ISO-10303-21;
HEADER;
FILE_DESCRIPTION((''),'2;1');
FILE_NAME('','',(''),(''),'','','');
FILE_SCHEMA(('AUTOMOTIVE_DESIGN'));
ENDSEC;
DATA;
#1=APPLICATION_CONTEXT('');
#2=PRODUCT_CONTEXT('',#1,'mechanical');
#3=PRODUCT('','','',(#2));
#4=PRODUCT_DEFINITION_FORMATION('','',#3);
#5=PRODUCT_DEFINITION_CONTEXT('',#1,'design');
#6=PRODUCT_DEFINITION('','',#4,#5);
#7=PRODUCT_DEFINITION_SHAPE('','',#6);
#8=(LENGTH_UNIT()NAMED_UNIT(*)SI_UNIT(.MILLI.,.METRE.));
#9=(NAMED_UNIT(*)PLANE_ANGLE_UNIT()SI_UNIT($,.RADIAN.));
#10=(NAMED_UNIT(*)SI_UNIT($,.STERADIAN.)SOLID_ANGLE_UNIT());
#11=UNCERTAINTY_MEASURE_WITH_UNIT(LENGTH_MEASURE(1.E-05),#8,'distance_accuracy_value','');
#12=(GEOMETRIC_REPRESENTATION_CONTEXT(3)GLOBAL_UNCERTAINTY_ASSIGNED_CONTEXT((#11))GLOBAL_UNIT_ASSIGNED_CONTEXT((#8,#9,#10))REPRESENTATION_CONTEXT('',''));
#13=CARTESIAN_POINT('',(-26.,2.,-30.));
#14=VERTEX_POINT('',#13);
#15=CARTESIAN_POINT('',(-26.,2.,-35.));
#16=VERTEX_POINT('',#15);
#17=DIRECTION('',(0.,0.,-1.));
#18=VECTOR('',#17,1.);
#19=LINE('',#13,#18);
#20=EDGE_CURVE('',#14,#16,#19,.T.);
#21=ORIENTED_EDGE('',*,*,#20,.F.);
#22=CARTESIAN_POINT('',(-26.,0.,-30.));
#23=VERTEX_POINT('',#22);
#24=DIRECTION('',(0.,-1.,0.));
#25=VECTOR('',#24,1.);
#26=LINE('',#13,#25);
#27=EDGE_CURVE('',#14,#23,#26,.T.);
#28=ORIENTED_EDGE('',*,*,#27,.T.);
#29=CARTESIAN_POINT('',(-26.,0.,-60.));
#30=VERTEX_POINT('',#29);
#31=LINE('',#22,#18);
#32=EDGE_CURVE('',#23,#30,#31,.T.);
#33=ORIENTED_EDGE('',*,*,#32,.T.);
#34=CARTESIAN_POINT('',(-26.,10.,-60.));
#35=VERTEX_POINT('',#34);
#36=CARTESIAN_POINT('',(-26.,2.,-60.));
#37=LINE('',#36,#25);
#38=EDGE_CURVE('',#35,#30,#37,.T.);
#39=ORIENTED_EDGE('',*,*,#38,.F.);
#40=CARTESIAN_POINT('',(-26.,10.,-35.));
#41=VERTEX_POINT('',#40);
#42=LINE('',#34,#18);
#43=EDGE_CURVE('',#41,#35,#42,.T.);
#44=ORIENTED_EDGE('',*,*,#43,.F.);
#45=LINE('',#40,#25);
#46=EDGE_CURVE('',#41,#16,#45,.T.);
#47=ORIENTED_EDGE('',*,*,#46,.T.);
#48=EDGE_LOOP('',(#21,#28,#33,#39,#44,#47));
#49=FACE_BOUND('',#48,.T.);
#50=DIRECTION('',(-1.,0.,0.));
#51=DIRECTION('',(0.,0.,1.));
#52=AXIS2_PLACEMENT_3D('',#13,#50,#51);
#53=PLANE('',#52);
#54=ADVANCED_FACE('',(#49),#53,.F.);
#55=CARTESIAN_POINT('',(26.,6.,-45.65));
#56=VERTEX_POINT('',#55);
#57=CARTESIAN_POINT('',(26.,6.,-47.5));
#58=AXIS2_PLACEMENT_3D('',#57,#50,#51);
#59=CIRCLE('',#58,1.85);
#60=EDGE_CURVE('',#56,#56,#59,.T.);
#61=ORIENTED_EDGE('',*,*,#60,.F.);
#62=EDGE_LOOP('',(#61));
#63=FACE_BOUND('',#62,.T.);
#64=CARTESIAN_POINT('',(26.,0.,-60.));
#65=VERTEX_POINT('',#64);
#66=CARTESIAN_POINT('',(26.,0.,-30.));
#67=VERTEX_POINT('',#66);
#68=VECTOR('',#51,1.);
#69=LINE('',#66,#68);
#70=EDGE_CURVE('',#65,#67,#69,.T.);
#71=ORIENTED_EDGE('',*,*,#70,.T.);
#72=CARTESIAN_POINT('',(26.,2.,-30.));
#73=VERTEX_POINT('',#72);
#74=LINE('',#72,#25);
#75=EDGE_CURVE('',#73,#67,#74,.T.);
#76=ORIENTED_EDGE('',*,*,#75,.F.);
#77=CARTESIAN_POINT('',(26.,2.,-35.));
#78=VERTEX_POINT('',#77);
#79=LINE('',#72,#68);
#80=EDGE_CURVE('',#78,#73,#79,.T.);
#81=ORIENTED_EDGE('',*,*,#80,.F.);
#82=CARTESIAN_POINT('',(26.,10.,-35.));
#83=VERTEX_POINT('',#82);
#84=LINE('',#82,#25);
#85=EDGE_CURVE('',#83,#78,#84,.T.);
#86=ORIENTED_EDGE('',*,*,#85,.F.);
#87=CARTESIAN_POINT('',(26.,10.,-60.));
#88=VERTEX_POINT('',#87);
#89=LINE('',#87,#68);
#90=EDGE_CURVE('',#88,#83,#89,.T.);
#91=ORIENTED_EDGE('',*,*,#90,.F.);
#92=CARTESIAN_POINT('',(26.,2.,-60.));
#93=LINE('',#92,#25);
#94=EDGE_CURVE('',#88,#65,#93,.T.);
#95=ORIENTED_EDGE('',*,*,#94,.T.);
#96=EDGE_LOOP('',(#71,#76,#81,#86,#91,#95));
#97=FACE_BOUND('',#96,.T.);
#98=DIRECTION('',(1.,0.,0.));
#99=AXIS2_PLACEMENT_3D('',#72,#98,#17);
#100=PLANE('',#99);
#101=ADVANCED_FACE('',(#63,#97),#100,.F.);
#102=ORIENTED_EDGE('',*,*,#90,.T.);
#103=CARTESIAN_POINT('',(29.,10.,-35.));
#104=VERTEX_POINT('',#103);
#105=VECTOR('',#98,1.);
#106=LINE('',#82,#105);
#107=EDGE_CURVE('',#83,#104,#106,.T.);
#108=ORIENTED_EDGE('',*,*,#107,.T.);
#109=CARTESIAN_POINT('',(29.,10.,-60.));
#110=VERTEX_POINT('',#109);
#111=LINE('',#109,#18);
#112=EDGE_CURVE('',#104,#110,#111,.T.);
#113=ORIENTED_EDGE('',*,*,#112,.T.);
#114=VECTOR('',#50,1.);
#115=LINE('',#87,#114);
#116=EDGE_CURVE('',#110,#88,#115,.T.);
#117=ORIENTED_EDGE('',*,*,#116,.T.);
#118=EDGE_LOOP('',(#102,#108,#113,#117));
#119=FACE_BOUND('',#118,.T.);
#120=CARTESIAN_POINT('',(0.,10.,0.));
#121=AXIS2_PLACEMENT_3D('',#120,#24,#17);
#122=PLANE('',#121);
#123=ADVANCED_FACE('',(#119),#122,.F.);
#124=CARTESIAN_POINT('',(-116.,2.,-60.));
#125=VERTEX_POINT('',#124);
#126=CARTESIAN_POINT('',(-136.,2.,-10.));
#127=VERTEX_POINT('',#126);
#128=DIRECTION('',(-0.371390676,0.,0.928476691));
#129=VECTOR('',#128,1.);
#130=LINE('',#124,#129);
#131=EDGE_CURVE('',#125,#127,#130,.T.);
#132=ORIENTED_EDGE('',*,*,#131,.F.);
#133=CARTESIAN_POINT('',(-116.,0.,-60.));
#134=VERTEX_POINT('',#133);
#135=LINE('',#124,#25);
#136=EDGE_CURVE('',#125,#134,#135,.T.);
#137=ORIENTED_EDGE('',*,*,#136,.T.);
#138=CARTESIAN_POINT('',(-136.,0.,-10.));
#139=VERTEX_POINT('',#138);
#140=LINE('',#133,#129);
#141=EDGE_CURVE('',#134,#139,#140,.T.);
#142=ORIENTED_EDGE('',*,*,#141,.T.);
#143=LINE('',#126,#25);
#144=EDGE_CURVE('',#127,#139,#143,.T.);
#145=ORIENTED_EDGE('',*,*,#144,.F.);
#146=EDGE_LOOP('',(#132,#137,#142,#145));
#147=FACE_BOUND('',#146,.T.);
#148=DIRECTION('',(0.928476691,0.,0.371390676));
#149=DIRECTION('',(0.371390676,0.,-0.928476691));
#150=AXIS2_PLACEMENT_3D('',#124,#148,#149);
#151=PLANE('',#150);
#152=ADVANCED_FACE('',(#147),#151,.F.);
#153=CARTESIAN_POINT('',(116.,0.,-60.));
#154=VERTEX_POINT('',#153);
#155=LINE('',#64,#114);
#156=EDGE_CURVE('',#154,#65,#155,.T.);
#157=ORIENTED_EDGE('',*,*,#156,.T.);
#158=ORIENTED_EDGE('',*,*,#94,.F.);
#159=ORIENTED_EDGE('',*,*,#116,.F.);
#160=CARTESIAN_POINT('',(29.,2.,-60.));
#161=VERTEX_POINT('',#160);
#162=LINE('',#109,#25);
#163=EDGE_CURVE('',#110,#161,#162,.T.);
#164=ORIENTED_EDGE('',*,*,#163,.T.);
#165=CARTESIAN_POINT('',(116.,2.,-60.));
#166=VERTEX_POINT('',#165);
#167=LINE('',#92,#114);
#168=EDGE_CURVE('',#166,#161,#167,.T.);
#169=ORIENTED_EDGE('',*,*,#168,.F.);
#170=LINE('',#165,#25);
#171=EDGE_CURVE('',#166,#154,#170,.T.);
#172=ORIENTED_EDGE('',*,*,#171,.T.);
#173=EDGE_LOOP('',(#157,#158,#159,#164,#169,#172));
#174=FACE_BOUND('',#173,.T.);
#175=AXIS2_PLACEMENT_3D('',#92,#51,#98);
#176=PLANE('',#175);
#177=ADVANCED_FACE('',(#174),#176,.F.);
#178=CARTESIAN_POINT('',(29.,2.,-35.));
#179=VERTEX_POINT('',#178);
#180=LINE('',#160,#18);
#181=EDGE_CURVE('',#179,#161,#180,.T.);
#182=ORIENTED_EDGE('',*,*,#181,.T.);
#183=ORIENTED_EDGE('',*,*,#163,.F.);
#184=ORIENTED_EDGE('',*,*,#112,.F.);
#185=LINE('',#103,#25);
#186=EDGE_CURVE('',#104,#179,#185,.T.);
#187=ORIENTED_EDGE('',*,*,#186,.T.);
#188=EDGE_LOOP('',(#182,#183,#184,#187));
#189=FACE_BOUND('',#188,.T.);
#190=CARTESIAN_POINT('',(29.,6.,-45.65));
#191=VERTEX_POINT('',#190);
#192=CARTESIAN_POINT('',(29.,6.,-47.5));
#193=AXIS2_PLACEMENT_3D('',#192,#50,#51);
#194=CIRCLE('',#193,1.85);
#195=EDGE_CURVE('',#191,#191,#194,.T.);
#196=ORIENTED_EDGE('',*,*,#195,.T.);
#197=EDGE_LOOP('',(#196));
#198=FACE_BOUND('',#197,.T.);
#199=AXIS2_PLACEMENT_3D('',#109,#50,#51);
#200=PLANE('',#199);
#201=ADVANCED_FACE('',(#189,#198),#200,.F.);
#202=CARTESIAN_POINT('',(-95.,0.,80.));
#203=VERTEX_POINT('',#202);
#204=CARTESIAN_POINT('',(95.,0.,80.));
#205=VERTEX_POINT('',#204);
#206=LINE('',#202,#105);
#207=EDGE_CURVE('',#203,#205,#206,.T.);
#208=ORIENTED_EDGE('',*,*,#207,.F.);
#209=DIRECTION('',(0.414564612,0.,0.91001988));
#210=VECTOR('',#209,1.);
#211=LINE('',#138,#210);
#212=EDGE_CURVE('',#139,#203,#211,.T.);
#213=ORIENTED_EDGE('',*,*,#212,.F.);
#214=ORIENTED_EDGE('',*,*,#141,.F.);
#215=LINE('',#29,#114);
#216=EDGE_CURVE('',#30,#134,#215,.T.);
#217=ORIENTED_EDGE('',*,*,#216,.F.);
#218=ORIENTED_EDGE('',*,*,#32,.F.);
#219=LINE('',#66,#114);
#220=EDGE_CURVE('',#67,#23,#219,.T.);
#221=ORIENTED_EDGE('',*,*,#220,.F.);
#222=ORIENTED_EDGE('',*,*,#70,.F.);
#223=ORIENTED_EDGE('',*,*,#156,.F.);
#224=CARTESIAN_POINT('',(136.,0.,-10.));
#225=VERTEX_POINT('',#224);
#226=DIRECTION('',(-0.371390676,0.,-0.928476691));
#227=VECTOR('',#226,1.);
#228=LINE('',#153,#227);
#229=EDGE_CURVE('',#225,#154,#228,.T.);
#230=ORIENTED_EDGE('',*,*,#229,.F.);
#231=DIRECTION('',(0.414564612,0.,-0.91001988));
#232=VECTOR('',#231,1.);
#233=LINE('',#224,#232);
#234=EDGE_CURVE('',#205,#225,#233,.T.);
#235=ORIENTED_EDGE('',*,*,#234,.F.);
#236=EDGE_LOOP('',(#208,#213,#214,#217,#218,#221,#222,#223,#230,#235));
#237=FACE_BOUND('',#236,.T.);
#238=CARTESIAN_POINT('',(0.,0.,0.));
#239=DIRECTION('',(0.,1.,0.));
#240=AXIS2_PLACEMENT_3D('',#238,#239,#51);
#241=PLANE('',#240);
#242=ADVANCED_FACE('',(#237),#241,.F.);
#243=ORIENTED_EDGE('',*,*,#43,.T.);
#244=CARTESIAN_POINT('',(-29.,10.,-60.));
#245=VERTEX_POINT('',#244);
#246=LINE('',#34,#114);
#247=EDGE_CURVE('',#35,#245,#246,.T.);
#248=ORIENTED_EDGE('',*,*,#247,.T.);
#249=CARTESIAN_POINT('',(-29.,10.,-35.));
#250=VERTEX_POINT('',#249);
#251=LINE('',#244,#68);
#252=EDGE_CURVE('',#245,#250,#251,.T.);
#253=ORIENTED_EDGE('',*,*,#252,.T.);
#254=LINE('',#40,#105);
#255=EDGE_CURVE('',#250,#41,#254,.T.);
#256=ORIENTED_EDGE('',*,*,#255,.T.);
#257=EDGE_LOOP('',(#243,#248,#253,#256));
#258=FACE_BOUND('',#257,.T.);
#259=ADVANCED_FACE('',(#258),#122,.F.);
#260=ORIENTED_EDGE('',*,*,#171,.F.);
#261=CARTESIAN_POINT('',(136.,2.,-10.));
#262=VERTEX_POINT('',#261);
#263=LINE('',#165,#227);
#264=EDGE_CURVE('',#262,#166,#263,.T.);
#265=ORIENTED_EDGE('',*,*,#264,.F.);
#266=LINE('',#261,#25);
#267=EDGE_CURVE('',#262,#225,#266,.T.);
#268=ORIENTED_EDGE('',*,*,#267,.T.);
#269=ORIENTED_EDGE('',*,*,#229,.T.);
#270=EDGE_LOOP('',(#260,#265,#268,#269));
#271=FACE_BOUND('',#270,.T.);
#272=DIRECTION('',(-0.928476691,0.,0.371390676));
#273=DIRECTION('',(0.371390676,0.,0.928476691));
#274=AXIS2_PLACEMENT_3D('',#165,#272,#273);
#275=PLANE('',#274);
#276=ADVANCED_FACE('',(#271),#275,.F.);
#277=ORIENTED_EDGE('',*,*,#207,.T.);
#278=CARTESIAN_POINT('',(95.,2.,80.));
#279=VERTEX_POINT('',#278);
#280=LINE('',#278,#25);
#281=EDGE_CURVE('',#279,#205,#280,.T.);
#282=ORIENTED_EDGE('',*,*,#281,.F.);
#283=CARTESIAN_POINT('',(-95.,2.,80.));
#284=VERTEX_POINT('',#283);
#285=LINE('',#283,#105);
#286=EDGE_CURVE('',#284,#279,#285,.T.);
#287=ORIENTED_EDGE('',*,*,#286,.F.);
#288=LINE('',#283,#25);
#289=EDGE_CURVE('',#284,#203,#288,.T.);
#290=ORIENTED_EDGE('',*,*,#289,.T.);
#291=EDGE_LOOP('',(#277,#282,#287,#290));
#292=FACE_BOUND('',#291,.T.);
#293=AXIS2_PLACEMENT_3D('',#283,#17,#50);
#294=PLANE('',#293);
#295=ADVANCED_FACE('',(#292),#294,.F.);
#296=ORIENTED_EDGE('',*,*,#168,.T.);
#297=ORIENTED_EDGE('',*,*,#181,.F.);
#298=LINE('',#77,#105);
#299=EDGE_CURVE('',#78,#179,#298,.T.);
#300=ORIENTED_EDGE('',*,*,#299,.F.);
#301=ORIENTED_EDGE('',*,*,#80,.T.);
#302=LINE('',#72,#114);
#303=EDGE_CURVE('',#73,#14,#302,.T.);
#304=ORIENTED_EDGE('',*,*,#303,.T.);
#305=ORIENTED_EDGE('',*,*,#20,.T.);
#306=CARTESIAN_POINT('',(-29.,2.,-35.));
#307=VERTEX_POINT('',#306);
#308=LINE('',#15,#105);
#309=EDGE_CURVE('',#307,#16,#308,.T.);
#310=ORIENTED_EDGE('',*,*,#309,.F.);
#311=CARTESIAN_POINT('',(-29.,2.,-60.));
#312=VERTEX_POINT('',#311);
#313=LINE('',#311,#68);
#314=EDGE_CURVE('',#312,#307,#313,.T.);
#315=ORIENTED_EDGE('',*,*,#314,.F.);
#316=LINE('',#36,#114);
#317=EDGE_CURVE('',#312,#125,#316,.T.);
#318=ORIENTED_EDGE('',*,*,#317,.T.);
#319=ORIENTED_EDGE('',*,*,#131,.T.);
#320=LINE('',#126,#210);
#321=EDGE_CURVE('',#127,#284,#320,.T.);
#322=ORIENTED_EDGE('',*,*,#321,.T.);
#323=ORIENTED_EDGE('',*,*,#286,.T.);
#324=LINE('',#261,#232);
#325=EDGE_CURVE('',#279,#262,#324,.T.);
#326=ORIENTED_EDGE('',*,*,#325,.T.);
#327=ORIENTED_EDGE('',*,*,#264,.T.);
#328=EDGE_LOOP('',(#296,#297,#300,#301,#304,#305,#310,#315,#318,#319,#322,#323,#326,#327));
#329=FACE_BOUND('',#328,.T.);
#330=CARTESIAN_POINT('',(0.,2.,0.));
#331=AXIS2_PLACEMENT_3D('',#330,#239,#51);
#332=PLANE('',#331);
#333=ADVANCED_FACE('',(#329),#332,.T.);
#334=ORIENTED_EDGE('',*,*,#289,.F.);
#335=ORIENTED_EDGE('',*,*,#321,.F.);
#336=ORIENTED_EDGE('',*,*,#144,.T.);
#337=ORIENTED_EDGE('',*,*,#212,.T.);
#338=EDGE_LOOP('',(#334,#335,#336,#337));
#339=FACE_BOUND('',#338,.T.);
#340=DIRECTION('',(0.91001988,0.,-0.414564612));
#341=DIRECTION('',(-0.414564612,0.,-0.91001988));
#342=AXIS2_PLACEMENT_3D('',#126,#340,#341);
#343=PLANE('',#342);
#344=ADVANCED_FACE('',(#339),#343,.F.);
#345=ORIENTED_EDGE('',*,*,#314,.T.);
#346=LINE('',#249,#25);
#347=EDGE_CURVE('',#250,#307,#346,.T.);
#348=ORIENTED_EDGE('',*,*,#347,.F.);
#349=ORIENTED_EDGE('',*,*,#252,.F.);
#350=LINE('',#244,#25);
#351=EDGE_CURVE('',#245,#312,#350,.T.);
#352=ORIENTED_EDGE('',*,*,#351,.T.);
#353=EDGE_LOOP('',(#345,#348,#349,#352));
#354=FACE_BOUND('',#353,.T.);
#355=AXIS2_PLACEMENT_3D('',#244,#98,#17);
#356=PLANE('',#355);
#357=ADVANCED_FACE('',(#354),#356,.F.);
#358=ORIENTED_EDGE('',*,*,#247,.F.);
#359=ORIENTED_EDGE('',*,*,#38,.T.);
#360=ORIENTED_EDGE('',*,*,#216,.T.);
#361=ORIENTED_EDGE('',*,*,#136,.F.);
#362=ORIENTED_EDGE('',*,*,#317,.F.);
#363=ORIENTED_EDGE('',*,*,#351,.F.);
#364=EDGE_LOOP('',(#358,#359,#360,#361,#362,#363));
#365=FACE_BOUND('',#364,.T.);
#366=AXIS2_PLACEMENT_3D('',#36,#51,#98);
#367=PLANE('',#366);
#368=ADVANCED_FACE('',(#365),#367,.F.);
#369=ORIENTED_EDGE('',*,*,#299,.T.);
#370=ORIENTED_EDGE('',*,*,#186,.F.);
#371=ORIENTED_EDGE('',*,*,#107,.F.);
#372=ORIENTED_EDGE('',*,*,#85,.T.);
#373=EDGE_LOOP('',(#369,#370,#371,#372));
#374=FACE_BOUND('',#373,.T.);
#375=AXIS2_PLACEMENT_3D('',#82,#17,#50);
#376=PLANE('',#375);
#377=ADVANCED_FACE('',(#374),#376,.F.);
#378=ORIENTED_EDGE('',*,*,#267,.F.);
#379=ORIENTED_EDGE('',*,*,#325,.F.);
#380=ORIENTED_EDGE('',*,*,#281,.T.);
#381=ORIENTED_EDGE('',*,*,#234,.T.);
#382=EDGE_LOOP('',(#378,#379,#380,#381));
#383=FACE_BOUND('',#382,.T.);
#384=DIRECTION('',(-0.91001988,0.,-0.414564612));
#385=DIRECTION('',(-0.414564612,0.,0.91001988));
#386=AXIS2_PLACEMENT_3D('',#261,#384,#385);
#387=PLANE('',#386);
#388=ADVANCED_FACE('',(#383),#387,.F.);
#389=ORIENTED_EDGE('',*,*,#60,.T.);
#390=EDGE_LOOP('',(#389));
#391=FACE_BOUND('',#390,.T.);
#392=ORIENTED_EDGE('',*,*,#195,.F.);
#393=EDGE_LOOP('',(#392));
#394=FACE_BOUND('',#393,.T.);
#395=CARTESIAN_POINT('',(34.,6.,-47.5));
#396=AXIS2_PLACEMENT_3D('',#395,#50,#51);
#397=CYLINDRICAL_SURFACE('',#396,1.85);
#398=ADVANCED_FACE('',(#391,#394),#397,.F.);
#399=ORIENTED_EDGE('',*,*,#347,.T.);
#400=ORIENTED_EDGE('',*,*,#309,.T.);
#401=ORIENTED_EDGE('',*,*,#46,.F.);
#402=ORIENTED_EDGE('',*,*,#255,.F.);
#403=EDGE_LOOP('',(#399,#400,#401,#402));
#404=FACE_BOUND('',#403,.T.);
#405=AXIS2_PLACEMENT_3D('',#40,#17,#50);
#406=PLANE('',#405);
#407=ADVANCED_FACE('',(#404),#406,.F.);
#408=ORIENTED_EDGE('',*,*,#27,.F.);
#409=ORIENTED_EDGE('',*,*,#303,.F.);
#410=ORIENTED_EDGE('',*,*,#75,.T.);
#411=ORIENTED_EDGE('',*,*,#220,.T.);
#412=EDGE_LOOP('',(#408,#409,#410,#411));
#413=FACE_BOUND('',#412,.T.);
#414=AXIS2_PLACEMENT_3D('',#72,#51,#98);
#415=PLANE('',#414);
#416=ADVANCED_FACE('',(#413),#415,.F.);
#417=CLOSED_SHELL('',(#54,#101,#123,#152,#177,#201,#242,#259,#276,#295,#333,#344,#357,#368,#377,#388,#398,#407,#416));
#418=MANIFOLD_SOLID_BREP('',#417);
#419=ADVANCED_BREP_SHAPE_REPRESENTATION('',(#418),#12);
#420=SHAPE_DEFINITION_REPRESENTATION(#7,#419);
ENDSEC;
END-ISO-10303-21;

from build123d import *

# Parameters (mm, degrees)
EXTRUDE_1_DEPTH     = 2
SKETCH_2_W          = 3
SKETCH_2_H          = 25
EXTRUDE_2_DEPTH     = 8
SKETCH_3_R          = 1.85
CUT_EXTRUDE_1_DEPTH = 8


with BuildPart() as part:
    # 草图1 → 凸台-拉伸1 (new body)
    with BuildSketch(Plane(origin=(0, 0, 0), x_dir=(1, 0, 0), z_dir=(0, 1, 0))):
        Polygon((26, 30), (-26, 30), (-26, 60), (-116, 60), (-136, 10), (-95, -80), (95, -80), (136, 10), (116, 60), (26, 60), align=None)
    extrude(amount=EXTRUDE_1_DEPTH)

    # 草图2 → 凸台-拉伸2 (add)
    with BuildSketch(Plane(origin=(0, 2, 0), x_dir=(1, 0, 0), z_dir=(0, 1, 0))):
        with Locations((27.5, 47.5)):
            Rectangle(SKETCH_2_W, SKETCH_2_H)
        with Locations((-27.5, 47.5)):
            Rectangle(SKETCH_2_W, SKETCH_2_H)
    extrude(amount=EXTRUDE_2_DEPTH)

    # 草图3 → 切除-拉伸1 (cut)
    with BuildSketch(Plane.ZY.offset(-26)):
        with Locations((-47.5, 6)):
            Circle(SKETCH_3_R)
    extrude(amount=-CUT_EXTRUDE_1_DEPTH, mode=Mode.SUBTRACT)


solid = part.part
